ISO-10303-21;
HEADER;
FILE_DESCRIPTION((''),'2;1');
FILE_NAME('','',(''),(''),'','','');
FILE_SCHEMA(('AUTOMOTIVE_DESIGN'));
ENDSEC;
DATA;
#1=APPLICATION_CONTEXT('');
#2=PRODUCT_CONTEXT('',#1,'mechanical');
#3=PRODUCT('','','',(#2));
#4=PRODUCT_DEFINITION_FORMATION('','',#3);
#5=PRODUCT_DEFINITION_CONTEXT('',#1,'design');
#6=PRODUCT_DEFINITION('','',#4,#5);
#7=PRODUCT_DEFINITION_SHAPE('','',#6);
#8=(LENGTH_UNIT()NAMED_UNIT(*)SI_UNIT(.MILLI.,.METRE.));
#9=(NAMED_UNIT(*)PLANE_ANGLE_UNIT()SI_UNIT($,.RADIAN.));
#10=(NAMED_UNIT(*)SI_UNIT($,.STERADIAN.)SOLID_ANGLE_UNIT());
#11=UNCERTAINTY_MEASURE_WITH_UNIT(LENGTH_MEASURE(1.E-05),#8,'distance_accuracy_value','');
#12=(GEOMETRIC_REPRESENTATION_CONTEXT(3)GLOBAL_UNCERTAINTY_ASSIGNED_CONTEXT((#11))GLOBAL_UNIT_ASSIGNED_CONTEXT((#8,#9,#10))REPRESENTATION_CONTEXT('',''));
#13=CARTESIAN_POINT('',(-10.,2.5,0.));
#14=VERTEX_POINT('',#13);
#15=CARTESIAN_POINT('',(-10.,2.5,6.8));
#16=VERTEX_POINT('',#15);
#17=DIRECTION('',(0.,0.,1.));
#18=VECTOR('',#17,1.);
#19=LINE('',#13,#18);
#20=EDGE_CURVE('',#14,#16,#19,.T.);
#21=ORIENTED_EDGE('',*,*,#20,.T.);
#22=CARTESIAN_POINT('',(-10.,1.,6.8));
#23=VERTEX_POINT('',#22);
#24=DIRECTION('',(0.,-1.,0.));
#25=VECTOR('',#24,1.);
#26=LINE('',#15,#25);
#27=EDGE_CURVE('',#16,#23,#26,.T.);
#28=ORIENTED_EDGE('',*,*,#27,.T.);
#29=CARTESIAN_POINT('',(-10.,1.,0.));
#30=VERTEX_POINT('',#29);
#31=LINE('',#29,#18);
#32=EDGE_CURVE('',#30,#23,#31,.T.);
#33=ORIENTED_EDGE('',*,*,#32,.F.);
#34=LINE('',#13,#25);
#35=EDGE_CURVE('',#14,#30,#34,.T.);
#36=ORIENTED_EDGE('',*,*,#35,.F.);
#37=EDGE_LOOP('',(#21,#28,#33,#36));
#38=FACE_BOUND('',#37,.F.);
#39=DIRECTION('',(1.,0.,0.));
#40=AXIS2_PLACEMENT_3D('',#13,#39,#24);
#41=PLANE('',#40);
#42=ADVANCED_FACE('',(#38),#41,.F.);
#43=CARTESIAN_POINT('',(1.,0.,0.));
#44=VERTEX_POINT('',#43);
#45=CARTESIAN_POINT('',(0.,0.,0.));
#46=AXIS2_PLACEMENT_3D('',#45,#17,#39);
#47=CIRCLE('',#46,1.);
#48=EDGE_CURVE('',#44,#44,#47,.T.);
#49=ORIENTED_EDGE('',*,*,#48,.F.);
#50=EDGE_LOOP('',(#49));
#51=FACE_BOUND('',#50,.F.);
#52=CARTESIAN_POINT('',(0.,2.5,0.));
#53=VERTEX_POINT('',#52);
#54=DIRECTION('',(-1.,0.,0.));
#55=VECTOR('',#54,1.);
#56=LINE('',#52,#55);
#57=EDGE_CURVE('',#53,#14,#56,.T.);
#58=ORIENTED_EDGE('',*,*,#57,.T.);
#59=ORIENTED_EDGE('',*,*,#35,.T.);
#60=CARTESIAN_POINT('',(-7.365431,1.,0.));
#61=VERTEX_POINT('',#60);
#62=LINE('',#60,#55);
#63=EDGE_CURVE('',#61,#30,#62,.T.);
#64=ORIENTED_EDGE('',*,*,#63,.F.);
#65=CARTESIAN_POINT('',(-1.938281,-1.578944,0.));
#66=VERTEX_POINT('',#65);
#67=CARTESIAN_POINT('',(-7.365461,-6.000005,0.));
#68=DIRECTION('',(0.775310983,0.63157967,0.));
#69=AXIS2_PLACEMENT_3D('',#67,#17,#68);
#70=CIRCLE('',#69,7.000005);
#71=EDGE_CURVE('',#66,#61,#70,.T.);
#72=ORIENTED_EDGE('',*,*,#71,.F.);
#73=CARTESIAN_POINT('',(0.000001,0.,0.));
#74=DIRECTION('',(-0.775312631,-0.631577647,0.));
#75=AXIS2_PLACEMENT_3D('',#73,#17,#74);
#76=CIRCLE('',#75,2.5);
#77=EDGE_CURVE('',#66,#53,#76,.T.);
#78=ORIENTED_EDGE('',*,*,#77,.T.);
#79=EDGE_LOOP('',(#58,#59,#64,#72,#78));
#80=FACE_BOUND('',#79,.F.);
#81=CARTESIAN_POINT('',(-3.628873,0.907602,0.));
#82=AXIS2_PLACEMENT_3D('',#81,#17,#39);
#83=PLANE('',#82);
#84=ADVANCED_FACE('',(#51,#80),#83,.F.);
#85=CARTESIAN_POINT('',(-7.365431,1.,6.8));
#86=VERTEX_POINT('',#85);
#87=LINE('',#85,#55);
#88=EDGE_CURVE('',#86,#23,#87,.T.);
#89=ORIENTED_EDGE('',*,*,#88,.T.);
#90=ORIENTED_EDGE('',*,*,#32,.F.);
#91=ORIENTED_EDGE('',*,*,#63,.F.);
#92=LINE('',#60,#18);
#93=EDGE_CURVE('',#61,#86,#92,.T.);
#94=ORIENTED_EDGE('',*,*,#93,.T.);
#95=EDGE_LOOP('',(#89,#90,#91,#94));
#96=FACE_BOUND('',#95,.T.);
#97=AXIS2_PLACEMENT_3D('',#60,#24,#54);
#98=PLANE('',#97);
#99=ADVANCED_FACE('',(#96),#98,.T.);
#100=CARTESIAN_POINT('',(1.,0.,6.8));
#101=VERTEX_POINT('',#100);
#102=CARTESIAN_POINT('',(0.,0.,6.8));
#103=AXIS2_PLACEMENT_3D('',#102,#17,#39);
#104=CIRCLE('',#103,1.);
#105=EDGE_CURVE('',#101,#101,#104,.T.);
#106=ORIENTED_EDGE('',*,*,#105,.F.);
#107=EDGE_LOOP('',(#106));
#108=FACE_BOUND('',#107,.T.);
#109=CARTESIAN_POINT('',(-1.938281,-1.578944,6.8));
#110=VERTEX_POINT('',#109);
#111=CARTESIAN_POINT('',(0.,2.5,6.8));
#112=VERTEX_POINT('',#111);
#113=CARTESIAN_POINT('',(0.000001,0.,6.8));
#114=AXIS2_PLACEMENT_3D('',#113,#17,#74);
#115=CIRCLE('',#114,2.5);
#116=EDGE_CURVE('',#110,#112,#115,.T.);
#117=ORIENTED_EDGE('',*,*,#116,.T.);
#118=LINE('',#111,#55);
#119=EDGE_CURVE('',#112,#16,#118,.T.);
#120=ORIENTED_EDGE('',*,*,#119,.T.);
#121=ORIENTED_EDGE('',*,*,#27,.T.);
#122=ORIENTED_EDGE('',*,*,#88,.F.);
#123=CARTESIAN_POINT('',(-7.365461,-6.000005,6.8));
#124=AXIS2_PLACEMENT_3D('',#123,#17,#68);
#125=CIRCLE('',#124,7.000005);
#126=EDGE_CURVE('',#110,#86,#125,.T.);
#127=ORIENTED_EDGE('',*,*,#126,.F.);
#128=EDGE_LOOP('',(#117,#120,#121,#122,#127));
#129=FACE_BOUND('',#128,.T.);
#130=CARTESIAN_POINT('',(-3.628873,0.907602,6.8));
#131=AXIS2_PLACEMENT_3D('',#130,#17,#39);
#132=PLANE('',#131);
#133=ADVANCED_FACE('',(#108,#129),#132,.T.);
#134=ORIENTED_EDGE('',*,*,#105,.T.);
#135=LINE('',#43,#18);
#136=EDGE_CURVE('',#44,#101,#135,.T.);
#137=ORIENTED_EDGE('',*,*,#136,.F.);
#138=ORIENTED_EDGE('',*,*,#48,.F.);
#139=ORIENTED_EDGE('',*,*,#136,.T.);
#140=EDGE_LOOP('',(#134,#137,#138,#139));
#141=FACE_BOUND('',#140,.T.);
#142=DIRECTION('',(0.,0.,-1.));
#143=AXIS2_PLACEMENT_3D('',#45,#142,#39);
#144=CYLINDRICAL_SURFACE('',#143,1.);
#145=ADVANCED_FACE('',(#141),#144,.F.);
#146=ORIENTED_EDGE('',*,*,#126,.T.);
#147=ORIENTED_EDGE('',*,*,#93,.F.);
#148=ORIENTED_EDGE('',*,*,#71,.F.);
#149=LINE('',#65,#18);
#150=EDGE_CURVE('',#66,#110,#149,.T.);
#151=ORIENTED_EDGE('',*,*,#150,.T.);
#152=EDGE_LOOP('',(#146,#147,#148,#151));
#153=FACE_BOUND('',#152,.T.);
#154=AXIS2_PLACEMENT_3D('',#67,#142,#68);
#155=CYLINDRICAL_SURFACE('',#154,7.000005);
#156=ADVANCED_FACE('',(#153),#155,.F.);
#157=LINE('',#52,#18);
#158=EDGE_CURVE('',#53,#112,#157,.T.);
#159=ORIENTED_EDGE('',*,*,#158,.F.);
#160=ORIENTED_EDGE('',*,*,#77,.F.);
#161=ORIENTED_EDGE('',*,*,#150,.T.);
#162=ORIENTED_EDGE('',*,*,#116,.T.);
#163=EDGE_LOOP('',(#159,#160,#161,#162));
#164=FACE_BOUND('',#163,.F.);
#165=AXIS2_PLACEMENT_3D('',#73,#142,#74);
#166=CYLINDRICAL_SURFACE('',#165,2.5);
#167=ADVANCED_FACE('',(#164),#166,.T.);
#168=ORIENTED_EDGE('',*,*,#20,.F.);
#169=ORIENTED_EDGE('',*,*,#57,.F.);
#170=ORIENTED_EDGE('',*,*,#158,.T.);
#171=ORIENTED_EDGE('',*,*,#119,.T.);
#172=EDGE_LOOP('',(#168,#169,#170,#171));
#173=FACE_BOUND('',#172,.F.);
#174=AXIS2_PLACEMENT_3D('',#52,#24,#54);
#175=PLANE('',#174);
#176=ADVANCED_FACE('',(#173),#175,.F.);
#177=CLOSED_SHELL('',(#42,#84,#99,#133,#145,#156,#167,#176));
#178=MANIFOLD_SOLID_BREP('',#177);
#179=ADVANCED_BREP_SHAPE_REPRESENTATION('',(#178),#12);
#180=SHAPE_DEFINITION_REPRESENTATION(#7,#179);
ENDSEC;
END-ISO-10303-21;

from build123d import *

# Parameters (mm, degrees)
SKETCH_R  = 1
PAD_DEPTH = 6.8


with BuildPart() as part:
    # Sketch → Pad (new body)
    with BuildSketch(Plane.XY):
        with BuildLine():
            Line((0, 2.5), (-10, 2.5))
            Line((-10, 2.5), (-10, 1))
            Line((-7.365431, 1), (-10, 1))
            ThreePointArc((-1.938281, -1.578944), (-4.361066, 0.322469), (-7.365431, 1))
            ThreePointArc((-1.938281, -1.578944), (2.258026, -1.072996), (0, 2.5))
        make_face()
        Circle(SKETCH_R, mode=Mode.SUBTRACT)
    extrude(amount=PAD_DEPTH)


solid = part.part
